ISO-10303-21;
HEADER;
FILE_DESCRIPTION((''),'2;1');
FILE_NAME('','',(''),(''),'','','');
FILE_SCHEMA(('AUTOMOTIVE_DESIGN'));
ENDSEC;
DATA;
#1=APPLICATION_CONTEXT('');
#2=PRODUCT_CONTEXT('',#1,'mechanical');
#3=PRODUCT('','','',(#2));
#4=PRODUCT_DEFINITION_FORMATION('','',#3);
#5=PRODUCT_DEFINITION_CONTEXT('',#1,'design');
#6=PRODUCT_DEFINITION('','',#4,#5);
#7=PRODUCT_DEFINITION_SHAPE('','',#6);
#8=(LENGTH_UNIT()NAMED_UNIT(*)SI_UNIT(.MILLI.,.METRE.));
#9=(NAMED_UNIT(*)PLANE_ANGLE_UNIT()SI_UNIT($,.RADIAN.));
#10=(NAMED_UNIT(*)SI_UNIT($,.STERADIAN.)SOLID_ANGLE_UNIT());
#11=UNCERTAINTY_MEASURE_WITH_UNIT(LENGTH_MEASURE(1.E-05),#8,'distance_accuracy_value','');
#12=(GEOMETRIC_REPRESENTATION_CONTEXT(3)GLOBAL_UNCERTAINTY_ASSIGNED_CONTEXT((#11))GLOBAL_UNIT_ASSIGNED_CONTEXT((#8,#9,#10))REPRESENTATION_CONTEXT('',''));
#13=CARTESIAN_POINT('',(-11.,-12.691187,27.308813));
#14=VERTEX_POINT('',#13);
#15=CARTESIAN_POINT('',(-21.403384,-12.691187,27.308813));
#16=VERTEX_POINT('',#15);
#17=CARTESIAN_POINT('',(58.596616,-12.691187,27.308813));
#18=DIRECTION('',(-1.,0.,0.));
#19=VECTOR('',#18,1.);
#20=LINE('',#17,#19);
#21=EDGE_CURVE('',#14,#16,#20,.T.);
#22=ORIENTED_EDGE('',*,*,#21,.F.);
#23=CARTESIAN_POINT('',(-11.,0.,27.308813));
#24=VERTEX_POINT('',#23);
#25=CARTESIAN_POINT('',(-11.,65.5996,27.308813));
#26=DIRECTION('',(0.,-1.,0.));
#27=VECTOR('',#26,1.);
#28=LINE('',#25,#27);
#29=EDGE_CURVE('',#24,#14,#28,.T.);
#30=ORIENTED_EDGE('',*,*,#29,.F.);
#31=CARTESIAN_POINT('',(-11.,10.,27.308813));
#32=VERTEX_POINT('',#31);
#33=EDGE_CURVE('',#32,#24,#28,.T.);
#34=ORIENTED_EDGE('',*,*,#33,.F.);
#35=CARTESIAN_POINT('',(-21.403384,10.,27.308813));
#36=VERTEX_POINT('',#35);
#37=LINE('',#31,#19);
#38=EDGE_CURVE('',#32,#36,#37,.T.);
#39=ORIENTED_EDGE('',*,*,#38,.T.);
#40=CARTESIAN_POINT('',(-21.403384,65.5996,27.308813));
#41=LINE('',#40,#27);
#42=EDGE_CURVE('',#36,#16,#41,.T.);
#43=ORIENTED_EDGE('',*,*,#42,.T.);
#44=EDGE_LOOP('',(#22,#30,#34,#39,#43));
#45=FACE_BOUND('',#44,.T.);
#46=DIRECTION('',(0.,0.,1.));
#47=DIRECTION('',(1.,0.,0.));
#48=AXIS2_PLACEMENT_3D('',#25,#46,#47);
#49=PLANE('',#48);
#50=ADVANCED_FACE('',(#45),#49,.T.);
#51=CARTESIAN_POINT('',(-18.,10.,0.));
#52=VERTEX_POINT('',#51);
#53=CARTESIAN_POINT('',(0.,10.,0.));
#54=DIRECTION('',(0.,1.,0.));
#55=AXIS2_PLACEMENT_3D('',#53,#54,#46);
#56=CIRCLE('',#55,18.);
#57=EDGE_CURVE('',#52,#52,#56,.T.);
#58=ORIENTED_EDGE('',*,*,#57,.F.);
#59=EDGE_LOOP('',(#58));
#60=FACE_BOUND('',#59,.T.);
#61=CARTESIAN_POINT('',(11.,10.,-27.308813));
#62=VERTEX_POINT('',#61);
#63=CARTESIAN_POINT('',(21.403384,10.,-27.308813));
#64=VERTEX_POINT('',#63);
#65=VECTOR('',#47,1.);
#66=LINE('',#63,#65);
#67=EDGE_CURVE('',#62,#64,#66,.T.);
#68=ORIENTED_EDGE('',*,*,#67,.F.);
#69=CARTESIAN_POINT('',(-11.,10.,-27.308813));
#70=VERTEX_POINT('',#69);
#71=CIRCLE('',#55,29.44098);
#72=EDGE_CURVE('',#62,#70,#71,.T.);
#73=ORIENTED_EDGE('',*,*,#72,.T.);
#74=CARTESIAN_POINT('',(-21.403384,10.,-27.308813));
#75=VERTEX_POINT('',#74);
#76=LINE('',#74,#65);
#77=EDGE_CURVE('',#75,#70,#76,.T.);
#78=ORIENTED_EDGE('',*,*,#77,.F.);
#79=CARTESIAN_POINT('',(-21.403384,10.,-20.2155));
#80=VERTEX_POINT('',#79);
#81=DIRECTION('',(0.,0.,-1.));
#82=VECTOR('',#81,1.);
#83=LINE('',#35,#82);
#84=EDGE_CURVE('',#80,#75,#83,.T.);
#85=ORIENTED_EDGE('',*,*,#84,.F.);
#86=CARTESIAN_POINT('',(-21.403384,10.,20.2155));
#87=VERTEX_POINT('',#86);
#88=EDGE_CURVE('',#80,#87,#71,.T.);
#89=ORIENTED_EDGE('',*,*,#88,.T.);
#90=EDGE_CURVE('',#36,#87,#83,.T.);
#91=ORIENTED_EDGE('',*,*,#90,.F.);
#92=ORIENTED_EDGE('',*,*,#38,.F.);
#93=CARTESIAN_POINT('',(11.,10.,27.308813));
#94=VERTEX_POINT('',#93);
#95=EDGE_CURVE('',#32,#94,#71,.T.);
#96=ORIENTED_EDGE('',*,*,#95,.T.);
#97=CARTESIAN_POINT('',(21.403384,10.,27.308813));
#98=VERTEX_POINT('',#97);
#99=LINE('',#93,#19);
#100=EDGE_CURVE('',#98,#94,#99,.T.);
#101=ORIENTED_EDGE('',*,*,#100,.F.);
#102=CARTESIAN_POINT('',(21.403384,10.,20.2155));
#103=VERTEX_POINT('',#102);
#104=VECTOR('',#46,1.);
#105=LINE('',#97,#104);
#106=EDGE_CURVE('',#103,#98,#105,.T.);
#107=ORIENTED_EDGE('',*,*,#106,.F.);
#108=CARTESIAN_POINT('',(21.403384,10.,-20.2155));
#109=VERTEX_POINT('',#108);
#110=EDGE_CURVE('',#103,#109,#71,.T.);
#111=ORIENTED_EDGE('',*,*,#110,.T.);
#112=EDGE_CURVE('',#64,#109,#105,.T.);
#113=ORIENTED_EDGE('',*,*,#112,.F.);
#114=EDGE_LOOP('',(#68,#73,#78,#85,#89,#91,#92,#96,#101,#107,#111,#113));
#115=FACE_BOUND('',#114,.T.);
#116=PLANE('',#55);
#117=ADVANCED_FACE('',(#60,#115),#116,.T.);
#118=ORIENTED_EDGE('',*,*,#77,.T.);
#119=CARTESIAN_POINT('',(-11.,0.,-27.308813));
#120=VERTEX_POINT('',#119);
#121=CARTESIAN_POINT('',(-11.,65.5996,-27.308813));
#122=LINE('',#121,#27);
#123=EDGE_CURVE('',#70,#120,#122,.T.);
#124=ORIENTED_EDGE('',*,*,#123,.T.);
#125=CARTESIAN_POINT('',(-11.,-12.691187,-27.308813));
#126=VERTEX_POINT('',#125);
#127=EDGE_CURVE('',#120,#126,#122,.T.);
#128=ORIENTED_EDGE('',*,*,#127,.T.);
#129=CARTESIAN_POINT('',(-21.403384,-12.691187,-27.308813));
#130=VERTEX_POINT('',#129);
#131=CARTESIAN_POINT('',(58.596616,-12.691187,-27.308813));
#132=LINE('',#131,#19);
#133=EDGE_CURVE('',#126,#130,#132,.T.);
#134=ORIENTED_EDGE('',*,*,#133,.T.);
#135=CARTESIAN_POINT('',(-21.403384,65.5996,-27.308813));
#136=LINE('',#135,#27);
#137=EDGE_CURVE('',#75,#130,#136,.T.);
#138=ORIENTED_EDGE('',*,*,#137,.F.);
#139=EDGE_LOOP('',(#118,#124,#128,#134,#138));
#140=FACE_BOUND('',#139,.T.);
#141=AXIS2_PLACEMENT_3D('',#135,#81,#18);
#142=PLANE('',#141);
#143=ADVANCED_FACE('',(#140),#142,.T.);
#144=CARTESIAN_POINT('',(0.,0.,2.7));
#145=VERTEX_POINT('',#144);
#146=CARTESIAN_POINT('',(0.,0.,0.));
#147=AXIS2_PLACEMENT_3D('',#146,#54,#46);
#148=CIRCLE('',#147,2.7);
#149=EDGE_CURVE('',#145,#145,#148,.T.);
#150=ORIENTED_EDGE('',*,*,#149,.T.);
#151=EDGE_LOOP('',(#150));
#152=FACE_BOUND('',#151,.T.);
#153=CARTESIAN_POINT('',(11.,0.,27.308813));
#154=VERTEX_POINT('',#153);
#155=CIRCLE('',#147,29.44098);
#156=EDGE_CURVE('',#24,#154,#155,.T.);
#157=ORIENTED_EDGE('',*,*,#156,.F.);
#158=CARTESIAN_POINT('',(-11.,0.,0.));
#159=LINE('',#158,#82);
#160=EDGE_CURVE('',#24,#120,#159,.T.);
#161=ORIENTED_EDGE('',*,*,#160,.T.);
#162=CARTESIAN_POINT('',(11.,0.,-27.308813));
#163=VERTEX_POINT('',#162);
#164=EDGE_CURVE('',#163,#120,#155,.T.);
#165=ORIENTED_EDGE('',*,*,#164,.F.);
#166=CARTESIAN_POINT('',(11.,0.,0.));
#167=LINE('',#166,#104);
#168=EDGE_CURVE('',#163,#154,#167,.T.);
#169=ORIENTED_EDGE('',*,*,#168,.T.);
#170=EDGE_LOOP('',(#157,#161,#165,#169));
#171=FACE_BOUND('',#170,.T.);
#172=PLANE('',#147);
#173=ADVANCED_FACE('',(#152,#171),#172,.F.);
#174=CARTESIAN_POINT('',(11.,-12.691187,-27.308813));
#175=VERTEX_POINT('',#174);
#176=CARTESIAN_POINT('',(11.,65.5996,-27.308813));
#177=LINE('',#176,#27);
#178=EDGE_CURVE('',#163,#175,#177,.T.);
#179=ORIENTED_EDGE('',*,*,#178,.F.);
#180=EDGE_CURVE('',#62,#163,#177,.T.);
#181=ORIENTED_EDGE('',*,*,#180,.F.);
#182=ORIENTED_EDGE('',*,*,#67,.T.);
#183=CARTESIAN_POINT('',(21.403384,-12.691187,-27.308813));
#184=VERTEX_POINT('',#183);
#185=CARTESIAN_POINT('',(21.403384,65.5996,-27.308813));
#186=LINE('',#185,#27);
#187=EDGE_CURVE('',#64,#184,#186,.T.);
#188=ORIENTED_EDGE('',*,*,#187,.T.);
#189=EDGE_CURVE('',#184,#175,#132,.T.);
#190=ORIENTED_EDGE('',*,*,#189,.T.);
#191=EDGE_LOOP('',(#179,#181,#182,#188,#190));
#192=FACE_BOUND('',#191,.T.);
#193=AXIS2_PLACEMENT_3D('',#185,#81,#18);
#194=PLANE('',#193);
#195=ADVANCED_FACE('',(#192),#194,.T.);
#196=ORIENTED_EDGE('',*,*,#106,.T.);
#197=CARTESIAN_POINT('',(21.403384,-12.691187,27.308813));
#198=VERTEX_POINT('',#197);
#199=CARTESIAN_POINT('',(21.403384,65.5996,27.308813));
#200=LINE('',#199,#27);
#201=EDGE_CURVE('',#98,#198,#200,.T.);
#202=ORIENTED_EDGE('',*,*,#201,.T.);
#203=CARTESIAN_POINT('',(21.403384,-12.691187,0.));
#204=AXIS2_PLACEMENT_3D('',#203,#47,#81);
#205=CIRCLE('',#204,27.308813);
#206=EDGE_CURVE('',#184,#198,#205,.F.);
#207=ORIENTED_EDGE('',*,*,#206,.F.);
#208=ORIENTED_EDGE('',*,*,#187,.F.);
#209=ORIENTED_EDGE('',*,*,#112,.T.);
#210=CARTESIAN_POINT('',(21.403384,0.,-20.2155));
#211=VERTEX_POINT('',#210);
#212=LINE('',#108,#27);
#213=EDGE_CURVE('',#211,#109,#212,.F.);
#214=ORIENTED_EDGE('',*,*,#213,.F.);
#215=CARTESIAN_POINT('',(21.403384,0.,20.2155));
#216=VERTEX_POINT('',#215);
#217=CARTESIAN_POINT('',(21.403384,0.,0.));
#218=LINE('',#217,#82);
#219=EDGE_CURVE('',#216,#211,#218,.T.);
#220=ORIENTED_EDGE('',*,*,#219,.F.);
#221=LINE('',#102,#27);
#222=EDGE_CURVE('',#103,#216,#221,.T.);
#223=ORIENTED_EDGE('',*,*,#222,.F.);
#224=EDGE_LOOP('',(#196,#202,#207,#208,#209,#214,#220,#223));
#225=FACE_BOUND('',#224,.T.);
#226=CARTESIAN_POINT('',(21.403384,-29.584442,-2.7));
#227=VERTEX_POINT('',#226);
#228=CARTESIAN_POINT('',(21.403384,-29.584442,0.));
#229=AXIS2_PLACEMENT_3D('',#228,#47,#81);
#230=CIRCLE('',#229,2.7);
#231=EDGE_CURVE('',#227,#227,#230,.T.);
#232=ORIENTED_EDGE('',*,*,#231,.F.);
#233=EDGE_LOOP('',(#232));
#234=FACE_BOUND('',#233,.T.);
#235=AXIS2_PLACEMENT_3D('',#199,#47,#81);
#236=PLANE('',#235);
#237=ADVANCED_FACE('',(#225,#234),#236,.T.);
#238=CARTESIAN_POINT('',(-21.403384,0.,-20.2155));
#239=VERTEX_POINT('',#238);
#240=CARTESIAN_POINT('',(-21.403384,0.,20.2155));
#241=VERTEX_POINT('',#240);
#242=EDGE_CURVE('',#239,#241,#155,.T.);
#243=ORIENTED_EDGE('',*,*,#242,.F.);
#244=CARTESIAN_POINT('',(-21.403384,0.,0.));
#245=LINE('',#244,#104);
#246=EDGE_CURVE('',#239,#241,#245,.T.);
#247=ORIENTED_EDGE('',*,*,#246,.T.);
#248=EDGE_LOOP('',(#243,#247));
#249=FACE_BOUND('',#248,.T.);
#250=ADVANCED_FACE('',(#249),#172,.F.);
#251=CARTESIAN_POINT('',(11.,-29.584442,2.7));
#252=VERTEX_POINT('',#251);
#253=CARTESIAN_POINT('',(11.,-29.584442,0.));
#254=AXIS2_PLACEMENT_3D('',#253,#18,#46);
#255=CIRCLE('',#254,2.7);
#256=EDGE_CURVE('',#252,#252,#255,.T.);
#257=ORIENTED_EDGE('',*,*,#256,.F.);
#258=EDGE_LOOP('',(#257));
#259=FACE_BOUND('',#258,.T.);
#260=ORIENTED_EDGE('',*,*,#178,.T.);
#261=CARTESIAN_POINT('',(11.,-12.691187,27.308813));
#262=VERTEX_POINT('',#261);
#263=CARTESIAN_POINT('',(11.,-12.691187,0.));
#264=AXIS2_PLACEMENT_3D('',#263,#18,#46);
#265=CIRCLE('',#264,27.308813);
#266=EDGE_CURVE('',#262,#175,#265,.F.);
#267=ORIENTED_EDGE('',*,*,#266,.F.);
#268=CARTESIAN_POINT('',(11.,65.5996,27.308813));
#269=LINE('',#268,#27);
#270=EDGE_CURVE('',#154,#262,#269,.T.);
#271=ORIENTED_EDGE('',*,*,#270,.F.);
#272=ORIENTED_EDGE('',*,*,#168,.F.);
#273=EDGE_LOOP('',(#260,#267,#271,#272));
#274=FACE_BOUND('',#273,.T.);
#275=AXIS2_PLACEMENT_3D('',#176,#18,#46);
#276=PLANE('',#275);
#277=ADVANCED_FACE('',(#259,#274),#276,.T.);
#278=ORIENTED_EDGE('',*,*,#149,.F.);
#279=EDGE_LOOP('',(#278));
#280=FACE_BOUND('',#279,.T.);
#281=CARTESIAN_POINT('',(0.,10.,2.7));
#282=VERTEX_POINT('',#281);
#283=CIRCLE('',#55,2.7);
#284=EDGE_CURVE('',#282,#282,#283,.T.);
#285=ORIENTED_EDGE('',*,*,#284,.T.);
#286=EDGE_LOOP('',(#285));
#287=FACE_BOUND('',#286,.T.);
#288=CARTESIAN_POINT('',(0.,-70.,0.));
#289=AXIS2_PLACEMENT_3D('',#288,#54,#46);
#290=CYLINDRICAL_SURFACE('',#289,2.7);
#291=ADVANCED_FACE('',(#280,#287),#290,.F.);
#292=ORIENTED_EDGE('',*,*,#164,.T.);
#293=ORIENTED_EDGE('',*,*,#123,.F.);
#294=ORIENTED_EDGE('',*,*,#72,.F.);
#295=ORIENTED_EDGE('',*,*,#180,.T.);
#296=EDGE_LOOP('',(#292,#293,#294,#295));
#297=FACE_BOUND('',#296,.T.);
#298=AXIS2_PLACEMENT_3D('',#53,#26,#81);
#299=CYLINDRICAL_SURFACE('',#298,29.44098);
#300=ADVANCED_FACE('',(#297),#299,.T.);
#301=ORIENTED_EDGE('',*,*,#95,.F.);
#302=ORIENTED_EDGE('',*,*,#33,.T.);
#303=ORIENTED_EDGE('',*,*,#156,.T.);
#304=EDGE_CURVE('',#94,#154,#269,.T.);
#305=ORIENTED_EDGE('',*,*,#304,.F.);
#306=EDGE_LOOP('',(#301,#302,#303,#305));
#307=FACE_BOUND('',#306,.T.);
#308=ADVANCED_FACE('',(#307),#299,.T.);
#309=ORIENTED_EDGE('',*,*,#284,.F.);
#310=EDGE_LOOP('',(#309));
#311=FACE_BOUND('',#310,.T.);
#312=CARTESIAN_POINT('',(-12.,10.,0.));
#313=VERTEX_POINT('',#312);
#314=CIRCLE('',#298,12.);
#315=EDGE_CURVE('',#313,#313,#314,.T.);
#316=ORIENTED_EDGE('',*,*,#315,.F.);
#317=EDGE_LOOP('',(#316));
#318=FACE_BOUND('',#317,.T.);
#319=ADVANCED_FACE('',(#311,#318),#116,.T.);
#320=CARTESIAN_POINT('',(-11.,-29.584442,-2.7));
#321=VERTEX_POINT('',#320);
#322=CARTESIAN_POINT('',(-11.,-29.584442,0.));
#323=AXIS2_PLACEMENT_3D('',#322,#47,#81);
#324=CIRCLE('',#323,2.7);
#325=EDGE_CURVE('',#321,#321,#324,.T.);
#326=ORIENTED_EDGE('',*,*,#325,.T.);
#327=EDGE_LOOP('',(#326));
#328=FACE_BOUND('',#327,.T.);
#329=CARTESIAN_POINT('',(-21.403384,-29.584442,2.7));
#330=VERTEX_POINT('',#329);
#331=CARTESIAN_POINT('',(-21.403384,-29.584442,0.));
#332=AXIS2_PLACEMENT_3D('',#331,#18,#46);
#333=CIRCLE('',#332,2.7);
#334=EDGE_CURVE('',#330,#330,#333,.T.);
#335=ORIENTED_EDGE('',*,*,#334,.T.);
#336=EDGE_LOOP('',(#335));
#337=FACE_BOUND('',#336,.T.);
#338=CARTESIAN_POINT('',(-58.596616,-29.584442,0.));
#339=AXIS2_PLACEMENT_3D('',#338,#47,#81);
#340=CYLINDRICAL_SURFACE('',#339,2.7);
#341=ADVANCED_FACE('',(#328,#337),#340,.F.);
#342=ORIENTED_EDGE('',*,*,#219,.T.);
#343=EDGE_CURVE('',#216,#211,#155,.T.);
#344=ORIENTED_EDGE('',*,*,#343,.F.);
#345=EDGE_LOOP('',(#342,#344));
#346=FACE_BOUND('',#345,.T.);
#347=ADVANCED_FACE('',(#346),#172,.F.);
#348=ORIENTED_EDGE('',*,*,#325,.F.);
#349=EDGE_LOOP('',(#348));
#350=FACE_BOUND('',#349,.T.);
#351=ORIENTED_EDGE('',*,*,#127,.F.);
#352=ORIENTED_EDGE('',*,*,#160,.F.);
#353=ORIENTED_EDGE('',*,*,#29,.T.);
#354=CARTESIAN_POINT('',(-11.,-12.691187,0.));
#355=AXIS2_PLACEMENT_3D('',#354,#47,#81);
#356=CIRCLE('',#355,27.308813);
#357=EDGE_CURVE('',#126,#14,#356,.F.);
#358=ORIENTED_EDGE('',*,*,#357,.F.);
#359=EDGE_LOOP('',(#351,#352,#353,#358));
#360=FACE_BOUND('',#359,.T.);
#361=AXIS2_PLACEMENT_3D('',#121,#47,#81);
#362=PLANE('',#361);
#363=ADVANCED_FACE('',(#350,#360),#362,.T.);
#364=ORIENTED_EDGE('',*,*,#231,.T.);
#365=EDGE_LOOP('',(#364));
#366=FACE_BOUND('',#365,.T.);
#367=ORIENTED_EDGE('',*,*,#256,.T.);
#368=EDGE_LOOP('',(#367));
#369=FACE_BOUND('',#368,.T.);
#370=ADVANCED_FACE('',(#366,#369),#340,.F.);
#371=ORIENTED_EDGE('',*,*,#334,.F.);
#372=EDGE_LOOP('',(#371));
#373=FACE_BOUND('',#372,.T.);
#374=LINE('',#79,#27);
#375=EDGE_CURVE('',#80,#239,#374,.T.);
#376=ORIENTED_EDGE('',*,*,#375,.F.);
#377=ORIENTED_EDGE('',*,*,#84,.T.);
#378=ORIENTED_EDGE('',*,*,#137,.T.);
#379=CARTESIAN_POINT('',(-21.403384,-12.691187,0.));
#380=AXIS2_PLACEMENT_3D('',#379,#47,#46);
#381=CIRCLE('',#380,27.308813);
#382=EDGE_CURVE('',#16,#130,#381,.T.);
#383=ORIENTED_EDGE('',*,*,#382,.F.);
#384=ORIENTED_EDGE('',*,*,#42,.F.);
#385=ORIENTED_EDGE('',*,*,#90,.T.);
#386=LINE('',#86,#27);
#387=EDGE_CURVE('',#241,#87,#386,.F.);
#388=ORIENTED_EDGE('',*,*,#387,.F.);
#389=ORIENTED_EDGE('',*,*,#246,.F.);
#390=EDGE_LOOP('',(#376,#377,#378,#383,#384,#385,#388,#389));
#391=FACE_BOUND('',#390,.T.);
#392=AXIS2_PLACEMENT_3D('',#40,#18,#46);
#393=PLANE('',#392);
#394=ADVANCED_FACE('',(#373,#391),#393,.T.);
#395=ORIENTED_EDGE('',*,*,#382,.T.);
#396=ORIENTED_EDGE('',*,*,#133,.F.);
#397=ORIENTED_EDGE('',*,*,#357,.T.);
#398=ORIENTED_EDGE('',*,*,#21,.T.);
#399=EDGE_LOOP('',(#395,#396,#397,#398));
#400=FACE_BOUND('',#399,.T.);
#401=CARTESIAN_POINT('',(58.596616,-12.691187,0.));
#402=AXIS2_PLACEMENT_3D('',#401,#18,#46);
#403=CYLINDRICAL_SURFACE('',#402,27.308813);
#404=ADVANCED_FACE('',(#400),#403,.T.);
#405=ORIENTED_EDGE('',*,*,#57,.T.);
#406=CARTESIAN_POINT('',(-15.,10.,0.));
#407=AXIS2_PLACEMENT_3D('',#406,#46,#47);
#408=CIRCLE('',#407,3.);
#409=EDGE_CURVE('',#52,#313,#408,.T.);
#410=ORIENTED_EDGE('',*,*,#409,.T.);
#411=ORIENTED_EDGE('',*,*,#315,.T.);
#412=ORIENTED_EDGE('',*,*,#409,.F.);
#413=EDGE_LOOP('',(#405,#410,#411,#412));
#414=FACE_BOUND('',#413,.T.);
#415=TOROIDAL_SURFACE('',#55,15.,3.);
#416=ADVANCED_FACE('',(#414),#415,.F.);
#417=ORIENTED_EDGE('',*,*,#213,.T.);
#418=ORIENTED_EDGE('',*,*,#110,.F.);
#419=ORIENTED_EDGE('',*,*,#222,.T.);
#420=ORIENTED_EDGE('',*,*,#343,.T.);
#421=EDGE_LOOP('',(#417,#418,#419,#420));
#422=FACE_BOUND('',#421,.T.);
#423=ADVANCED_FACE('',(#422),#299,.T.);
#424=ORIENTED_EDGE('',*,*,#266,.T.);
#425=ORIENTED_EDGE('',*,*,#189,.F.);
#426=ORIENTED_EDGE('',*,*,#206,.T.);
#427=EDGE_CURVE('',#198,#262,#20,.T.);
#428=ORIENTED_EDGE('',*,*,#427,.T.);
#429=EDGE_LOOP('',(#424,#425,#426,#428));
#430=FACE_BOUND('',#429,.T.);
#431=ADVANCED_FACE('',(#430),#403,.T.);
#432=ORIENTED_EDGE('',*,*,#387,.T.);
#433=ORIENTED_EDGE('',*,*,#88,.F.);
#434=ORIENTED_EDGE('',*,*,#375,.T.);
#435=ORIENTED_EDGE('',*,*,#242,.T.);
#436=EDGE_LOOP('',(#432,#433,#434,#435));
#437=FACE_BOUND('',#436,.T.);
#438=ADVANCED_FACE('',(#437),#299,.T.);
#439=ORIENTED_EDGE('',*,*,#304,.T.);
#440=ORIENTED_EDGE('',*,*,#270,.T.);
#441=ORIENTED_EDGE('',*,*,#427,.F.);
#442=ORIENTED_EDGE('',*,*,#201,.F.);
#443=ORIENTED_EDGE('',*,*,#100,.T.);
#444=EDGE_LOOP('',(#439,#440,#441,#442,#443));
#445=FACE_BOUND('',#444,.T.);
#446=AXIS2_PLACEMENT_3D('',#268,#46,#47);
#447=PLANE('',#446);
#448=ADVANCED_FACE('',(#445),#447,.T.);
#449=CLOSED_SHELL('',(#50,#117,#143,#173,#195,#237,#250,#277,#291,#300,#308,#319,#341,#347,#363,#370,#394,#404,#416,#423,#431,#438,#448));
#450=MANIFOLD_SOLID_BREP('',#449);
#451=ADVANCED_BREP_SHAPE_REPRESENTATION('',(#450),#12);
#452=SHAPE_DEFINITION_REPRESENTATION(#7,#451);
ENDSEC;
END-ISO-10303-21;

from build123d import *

# Parameters (mm, degrees)
SKETCH1_R                = 29.440979716
BOSS_EXTRUDE1_DEPTH      = 10
SKETCH2_W                = 10.403384244
SKETCH2_H                = 54.617626702
BOSS_EXTRUDE2_DEPTH      = 40
BOSS_EXTRUDE2_DEPTH_BACK = 10
SKETCH3_R                = 2.7
CUT_EXTRUDE1_DEPTH       = 80
SKETCH4_R                = 2.7
CUT_EXTRUDE2_DEPTH       = 80
CUT_EXTRUDE2_DEPTH_BACK  = 80
SKETCH6_R                = 3
CUT_EXTRUDE3_DEPTH       = 80


with BuildPart() as part:
    # Sketch1 → Boss-Extrude1 (new body)
    with BuildSketch(Plane(origin=(0, 0, 0), x_dir=(1, 0, 0), z_dir=(0, 1, 0))):
        Circle(SKETCH1_R)
    extrude(amount=BOSS_EXTRUDE1_DEPTH)

    # Sketch2 → Boss-Extrude2 (add, two sides)
    with BuildSketch(Plane.XZ) as boss_extrude2_sk:
        with Locations((-16.201692122, 0)):
            Rectangle(SKETCH2_W, SKETCH2_H)
        with Locations((16.201692122, 0)):
            Rectangle(SKETCH2_W, SKETCH2_H)
    extrude(amount=BOSS_EXTRUDE2_DEPTH)
    extrude(boss_extrude2_sk.sketch, amount=-BOSS_EXTRUDE2_DEPTH_BACK)

    # Sketch3 → Cut-Extrude1 (cut)
    with BuildSketch(Plane(origin=(21.403384244, 0, 0), x_dir=(0, 0, -1), z_dir=(1, 0, 0))):
        with Locations((0, -29.584442491)):
            Circle(SKETCH3_R)
    extrude(amount=-CUT_EXTRUDE1_DEPTH, mode=Mode.SUBTRACT)

    # Sketch4 → Cut-Extrude2 (cut, two sides)
    with BuildSketch(Plane(origin=(0, 10, 0), x_dir=(1, 0, 0), z_dir=(0, 1, 0))) as cut_extrude2_sk:
        Circle(SKETCH4_R)
    extrude(amount=CUT_EXTRUDE2_DEPTH, mode=Mode.SUBTRACT)
    extrude(cut_extrude2_sk.sketch, amount=-CUT_EXTRUDE2_DEPTH_BACK, mode=Mode.SUBTRACT)

    # Cut-Sweep1: sweep along a path in Sketch5
    with BuildLine(Plane(origin=(0, 10, 0), x_dir=(1, 0, 0), z_dir=(0, 1, 0))) as cut_sweep1_path:
        CenterArc((0, 0), 15, 0, 360)
    # Sketch6 → Cut-Sweep1 (sweep, cut)
    with BuildSketch(Plane.XY):
        with Locations((-15, 10)):
            Circle(SKETCH6_R)
    sweep(path=cut_sweep1_path.line, mode=Mode.SUBTRACT)

    # Sketch8 → Cut-Extrude3 (cut)
    with BuildSketch(Plane.ZY.offset(21.403384244)):
        with BuildLine():
            Line((-27.308813351, -12.691186649), (-33.56023991, -12.691186649))
            Line((-33.56023991, -12.691186649), (-33.56023991, -51.85966326))
            Line((-33.56023991, -51.85966326), (31.545819747, -51.85966326))
            Line((31.545819747, -51.85966326), (31.545819747, -12.691186649))
            Line((31.545819747, -12.691186649), (27.308813351, -12.691186649))
            ThreePointArc((27.308813351, -12.691186649), (0, -40), (-27.308813351, -12.691186649))
        make_face()
    extrude(amount=-CUT_EXTRUDE3_DEPTH, mode=Mode.SUBTRACT)


solid = part.part
